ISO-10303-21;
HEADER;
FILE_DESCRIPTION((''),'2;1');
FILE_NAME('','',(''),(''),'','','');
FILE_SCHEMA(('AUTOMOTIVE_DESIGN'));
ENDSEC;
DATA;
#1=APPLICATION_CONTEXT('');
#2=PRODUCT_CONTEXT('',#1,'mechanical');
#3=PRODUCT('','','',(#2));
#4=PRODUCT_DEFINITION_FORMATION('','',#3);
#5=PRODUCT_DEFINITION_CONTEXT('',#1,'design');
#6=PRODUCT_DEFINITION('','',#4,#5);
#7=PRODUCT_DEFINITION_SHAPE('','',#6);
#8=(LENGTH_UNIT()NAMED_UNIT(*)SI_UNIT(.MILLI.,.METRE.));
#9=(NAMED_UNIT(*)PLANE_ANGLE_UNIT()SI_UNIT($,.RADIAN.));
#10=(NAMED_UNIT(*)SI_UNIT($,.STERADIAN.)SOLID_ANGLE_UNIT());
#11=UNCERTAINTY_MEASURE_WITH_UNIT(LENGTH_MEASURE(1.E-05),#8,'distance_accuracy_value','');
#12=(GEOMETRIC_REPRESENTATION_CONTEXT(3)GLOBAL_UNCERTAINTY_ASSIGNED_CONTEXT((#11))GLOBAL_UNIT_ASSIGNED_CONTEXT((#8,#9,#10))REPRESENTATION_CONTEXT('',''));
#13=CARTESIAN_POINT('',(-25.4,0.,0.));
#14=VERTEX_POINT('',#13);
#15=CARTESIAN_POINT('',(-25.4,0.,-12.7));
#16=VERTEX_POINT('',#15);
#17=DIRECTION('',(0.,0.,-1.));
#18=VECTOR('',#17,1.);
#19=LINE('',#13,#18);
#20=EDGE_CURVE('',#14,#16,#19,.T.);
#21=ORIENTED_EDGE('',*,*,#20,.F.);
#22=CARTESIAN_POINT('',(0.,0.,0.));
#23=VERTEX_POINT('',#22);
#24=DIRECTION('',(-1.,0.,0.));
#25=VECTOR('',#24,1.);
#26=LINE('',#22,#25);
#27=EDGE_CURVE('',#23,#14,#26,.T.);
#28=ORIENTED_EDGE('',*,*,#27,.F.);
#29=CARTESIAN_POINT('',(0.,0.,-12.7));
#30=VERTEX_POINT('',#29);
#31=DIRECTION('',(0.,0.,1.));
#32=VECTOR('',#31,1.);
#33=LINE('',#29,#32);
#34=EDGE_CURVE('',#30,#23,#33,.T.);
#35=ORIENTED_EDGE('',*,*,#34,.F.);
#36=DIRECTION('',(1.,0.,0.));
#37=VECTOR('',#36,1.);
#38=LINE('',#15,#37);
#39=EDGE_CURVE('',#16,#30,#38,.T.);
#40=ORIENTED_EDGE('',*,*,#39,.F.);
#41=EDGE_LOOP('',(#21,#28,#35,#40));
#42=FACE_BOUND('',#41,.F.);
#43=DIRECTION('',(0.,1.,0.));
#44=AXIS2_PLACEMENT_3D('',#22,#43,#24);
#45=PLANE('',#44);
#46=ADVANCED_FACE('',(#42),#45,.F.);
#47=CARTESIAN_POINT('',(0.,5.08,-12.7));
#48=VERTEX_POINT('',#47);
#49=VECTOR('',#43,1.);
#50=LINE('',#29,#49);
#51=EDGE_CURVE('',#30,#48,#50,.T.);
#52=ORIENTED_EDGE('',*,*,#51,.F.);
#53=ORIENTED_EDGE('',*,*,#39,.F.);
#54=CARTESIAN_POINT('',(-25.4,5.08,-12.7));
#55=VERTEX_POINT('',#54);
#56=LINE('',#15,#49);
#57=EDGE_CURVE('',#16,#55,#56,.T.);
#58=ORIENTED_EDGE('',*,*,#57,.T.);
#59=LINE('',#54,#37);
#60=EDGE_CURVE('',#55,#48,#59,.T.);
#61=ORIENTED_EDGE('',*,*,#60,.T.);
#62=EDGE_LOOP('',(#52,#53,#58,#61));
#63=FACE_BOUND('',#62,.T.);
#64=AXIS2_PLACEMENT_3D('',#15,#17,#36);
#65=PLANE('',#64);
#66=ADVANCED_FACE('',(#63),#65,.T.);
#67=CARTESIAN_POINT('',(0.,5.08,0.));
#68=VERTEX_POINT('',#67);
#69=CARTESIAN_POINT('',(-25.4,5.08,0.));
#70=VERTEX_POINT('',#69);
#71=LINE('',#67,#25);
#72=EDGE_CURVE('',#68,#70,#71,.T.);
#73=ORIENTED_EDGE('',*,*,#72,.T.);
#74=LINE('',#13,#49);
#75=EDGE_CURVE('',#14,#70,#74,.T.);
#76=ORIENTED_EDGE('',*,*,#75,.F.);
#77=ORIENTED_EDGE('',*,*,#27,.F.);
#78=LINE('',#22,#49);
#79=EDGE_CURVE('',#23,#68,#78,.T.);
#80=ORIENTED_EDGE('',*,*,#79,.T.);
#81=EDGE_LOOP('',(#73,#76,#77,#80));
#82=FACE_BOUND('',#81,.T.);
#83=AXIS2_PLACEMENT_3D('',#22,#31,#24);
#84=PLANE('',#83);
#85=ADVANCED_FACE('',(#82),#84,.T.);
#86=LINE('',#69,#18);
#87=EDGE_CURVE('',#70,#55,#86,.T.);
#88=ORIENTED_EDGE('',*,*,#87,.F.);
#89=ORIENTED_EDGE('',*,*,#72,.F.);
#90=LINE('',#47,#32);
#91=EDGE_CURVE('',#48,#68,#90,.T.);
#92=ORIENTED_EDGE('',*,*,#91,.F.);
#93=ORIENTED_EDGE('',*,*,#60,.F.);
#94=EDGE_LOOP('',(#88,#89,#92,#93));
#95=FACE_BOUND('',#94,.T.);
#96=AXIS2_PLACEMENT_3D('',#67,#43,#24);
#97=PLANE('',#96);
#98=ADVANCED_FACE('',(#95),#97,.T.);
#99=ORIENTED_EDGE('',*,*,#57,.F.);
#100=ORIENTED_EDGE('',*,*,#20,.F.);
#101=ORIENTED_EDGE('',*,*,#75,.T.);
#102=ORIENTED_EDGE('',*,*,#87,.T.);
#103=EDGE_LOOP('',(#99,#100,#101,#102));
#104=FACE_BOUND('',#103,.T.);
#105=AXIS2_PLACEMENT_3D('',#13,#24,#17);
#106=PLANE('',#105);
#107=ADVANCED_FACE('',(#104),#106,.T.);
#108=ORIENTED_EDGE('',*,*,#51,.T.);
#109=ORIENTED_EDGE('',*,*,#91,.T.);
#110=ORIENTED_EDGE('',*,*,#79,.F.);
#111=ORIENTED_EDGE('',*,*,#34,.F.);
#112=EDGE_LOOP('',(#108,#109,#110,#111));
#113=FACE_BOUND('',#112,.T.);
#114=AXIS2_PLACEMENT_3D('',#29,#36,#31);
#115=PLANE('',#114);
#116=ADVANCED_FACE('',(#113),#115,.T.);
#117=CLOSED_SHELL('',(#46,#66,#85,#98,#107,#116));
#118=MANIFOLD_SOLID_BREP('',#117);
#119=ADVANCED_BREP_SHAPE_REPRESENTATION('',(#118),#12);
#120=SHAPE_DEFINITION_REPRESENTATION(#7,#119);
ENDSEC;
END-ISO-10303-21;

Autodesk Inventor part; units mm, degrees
ref_plane "YZ Plane" through (0, 0, 0) normal (1, 0, 0) x (0, 1, 0)
ref_plane "XZ Plane" through (0, 0, 0) normal (0, 1, 0) x (-1, 0, 0)
ref_plane "XY Plane" through (0, 0, 0) normal (0, 0, 1) x (1, 0, 0)
sketch "Sketch1" plane through (0, 0, 0) normal (0, 1, 0) x (-1, 0, 0)
  line L0 (0, 0) -> (25.4, 0)
  line L1 (25.4, 0) -> (25.4, -12.7)
  line L2 (25.4, -12.7) -> (0, -12.7)
  line L3 (0, -12.7) -> (0, 0)
  dimension "d0" = 25.4
  dimension "d1" = 12.7
extrude "Extrusion1" add sketch "Sketch1" along normal blind 5.08
equation "\"BendRadius\" = Thickness"
equation "\"BendReliefWidth\" = Thickness"
equation "\"BendReliefDepth\" = 0.5 * Thickness"
equation "\"CornerReliefSize\" = 4 * Thickness"
equation "\"MinimumRemnant\" = 2 * Thickness"
equation "\"TransitionRadius\" = BendRadius"
equation "\"JacobiRadiusSize\" = BendRadius"
equation "\"GapSize\" = Thickness"
equation "\"Thickness\" = 3.048"
properties part number "VibrationDampener" material "Rigid insulation"
